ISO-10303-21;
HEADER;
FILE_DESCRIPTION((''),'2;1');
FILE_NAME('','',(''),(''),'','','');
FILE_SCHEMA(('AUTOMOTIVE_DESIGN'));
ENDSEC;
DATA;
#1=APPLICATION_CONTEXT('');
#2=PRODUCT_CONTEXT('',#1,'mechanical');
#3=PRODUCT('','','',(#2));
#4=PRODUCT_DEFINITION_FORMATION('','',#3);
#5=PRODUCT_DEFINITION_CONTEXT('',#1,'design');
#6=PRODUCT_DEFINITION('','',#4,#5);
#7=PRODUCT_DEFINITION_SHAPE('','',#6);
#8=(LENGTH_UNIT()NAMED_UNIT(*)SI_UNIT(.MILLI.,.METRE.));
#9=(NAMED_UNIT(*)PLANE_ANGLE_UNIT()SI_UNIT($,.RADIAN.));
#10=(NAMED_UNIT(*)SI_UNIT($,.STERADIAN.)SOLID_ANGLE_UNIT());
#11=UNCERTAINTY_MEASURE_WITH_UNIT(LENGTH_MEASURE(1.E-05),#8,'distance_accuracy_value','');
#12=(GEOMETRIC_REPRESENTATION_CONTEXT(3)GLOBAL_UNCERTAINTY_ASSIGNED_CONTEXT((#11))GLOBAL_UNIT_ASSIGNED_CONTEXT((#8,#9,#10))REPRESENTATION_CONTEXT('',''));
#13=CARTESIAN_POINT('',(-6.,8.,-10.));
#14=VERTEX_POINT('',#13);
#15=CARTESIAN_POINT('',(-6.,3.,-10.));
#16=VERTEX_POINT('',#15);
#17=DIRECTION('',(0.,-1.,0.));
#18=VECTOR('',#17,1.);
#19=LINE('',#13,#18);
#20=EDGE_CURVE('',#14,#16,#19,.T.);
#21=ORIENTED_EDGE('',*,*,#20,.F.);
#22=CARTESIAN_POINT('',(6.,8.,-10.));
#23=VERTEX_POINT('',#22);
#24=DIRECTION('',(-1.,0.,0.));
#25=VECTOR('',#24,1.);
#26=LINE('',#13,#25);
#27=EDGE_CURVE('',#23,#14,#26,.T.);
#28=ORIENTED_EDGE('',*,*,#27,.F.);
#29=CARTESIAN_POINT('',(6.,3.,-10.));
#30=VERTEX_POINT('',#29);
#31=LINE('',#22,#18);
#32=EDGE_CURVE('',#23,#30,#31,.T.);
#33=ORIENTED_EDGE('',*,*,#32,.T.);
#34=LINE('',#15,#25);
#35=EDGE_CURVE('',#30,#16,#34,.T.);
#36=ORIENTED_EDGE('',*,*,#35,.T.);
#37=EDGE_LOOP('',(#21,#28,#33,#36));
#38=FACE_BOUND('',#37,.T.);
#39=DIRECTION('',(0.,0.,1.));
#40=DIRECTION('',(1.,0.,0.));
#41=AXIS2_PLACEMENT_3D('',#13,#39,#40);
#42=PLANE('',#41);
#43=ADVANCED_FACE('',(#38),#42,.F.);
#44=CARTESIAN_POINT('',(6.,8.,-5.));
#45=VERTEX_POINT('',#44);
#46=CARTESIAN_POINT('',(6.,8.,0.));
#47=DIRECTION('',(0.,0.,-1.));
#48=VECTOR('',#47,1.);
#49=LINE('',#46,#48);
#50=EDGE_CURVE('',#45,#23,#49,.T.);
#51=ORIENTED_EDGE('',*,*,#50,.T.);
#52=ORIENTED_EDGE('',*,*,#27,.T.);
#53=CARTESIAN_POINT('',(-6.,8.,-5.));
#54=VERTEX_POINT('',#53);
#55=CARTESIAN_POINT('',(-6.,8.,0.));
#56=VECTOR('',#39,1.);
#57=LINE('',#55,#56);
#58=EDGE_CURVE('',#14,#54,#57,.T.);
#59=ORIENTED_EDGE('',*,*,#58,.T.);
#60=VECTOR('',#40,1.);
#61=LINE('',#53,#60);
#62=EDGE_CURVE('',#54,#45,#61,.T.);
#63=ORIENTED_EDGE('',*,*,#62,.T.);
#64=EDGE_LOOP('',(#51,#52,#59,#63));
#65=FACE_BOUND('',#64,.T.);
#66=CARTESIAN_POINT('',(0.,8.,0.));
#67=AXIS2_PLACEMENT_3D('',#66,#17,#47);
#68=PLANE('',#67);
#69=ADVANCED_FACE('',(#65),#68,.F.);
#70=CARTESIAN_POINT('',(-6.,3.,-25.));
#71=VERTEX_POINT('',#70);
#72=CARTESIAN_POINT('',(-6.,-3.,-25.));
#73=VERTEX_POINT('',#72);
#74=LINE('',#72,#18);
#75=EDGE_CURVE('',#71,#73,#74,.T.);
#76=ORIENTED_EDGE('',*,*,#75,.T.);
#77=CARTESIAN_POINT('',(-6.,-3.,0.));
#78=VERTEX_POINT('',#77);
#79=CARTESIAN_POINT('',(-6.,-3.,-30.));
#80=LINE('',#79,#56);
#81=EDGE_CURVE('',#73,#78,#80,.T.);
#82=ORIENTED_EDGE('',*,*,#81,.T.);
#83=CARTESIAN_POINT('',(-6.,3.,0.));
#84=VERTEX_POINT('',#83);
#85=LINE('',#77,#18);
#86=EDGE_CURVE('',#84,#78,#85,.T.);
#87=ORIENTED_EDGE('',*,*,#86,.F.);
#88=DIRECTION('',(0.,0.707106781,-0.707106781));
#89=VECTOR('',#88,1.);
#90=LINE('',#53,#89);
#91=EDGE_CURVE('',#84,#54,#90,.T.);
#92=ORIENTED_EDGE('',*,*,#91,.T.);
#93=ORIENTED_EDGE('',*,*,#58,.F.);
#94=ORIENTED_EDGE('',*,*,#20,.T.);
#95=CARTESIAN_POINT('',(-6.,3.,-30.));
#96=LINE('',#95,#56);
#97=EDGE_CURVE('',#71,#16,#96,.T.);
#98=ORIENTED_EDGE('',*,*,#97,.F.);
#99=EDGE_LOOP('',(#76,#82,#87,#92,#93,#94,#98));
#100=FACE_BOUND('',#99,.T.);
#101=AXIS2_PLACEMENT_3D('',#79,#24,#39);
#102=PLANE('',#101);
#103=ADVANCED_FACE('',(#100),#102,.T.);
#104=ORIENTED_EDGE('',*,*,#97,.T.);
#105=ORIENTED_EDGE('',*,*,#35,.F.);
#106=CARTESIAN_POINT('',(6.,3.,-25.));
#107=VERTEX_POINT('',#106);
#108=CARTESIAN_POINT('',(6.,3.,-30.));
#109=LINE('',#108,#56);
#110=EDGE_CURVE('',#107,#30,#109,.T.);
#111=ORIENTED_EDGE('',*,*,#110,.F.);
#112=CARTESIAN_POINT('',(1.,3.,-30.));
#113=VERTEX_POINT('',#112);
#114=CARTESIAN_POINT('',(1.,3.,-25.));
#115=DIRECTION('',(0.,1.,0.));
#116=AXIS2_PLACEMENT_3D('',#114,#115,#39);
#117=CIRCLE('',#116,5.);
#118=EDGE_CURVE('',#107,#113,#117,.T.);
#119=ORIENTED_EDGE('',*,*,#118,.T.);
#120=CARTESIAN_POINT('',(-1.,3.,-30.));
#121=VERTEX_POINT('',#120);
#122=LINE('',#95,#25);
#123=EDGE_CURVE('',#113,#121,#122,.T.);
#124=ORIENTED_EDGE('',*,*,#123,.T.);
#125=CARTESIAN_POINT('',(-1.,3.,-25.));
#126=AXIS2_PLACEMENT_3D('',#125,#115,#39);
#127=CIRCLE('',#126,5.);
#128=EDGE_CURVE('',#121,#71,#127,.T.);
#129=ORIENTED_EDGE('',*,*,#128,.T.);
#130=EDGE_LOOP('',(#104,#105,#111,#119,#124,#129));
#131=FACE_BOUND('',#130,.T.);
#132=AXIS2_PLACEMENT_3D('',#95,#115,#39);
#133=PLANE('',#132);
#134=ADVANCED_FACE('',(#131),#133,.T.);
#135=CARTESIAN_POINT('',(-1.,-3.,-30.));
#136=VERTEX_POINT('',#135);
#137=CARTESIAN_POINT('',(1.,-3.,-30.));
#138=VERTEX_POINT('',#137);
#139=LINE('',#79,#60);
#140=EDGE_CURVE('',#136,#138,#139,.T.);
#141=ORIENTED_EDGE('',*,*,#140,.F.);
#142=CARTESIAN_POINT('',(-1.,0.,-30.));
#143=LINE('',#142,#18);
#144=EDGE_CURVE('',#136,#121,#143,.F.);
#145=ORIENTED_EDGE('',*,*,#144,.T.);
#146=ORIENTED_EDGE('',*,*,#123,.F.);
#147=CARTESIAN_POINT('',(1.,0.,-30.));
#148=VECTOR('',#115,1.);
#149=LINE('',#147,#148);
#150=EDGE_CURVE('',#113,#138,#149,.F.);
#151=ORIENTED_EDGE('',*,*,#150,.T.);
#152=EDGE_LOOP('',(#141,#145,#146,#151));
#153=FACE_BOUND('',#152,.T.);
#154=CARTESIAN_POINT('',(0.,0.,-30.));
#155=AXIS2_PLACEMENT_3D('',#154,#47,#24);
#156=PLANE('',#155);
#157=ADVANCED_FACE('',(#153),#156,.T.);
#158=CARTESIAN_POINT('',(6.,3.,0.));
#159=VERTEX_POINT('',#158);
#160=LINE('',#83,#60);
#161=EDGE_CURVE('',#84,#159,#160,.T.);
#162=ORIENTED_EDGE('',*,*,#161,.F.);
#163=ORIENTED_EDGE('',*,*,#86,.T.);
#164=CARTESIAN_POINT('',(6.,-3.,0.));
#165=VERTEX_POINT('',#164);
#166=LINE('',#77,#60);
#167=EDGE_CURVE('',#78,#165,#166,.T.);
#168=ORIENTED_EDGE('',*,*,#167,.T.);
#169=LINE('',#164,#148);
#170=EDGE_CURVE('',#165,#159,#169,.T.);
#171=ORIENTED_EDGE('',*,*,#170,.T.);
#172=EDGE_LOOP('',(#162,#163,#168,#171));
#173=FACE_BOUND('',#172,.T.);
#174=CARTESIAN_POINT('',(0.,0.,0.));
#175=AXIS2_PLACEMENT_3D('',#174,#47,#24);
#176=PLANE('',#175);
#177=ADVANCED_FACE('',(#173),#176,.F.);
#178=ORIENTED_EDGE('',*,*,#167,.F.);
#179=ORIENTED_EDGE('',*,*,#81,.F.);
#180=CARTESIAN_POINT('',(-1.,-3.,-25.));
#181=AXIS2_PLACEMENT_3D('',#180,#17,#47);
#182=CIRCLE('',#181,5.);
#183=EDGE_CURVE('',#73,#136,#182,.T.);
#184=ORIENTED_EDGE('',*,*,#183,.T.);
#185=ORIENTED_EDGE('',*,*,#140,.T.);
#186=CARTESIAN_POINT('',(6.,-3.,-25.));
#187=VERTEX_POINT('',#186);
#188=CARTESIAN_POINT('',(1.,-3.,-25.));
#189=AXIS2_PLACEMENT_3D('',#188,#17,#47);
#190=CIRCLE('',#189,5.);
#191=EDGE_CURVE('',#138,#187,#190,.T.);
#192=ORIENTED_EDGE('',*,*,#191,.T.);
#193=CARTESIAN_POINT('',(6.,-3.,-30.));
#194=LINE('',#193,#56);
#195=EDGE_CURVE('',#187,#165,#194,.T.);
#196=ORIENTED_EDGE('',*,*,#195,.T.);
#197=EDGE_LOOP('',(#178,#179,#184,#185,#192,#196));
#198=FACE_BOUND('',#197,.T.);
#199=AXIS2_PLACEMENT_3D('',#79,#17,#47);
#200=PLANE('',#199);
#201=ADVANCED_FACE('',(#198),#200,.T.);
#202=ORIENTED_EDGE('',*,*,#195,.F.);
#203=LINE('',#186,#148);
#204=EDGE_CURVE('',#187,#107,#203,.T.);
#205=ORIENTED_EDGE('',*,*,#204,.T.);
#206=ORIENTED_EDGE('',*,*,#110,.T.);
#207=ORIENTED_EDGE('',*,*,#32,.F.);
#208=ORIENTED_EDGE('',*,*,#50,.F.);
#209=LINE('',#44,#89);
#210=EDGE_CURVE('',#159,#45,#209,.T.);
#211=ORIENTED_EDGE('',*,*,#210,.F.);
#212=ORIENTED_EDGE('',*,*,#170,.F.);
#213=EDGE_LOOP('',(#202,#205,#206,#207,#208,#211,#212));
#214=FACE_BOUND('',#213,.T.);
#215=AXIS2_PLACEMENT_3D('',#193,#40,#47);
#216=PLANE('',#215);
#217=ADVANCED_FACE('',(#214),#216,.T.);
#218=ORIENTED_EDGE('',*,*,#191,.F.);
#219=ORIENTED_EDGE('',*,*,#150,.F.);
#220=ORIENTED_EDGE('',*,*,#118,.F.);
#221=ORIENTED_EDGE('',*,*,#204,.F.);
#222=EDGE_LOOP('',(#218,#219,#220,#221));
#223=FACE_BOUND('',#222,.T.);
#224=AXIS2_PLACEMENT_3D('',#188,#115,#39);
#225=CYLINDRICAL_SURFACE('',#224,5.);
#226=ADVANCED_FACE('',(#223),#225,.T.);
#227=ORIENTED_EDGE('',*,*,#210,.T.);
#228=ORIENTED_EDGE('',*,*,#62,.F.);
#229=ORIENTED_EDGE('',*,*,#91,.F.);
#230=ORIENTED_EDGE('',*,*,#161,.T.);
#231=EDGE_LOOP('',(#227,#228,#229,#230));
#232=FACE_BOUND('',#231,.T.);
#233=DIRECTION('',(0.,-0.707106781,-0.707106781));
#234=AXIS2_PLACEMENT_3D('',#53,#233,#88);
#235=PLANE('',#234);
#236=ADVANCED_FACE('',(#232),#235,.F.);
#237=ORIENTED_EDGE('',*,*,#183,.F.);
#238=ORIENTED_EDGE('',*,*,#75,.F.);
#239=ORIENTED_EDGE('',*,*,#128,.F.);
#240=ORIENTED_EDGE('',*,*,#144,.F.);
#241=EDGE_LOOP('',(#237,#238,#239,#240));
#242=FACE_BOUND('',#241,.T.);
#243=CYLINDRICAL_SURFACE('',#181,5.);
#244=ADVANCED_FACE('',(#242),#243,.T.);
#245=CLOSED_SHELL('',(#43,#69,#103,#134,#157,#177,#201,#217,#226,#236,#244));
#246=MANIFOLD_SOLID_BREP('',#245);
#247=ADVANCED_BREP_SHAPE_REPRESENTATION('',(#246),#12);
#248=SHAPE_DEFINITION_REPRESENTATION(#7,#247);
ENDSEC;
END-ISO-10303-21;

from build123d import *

# Parameters (mm, degrees)
SKETCH1_W           = 12
SKETCH1_H           = 6
BOSS_EXTRUDE1_DEPTH = 30
SKETCH2_W           = 12
SKETCH2_H           = 10
BOSS_EXTRUDE2_DEPTH = 5
CUT_EXTRUDE1_DEPTH  = 34.286633954
FILLET1_R           = 5


with BuildPart() as part:
    # Sketch1 → Boss-Extrude1 (new body)
    with BuildSketch(Plane.XY):
        Rectangle(SKETCH1_W, SKETCH1_H)
    extrude(amount=-BOSS_EXTRUDE1_DEPTH)

    # Sketch2 → Boss-Extrude2 (add)
    with BuildSketch(Plane(origin=(0, 3, 0), x_dir=(1, 0, 0), z_dir=(0, 1, 0))):
        with Locations((0, 5)):
            Rectangle(SKETCH2_W, SKETCH2_H)
    extrude(amount=BOSS_EXTRUDE2_DEPTH)

    # Sketch3 → Cut-Extrude1 (cut, through all)
    with BuildSketch(Plane(origin=(6, 0, 0), x_dir=(0, 0, -1), z_dir=(1, 0, 0))):
        Polygon((5, 8), (0, 3), (0, 8), align=None)
    extrude(amount=-CUT_EXTRUDE1_DEPTH, mode=Mode.SUBTRACT)

    # Fillet1
    fillet1_edges = [part.edges().sort_by_distance(p)[0] for p in [
        (-6, 0, -30),
        (6, 0, -30),
    ]]
    fillet(fillet1_edges, radius=FILLET1_R)


solid = part.part
